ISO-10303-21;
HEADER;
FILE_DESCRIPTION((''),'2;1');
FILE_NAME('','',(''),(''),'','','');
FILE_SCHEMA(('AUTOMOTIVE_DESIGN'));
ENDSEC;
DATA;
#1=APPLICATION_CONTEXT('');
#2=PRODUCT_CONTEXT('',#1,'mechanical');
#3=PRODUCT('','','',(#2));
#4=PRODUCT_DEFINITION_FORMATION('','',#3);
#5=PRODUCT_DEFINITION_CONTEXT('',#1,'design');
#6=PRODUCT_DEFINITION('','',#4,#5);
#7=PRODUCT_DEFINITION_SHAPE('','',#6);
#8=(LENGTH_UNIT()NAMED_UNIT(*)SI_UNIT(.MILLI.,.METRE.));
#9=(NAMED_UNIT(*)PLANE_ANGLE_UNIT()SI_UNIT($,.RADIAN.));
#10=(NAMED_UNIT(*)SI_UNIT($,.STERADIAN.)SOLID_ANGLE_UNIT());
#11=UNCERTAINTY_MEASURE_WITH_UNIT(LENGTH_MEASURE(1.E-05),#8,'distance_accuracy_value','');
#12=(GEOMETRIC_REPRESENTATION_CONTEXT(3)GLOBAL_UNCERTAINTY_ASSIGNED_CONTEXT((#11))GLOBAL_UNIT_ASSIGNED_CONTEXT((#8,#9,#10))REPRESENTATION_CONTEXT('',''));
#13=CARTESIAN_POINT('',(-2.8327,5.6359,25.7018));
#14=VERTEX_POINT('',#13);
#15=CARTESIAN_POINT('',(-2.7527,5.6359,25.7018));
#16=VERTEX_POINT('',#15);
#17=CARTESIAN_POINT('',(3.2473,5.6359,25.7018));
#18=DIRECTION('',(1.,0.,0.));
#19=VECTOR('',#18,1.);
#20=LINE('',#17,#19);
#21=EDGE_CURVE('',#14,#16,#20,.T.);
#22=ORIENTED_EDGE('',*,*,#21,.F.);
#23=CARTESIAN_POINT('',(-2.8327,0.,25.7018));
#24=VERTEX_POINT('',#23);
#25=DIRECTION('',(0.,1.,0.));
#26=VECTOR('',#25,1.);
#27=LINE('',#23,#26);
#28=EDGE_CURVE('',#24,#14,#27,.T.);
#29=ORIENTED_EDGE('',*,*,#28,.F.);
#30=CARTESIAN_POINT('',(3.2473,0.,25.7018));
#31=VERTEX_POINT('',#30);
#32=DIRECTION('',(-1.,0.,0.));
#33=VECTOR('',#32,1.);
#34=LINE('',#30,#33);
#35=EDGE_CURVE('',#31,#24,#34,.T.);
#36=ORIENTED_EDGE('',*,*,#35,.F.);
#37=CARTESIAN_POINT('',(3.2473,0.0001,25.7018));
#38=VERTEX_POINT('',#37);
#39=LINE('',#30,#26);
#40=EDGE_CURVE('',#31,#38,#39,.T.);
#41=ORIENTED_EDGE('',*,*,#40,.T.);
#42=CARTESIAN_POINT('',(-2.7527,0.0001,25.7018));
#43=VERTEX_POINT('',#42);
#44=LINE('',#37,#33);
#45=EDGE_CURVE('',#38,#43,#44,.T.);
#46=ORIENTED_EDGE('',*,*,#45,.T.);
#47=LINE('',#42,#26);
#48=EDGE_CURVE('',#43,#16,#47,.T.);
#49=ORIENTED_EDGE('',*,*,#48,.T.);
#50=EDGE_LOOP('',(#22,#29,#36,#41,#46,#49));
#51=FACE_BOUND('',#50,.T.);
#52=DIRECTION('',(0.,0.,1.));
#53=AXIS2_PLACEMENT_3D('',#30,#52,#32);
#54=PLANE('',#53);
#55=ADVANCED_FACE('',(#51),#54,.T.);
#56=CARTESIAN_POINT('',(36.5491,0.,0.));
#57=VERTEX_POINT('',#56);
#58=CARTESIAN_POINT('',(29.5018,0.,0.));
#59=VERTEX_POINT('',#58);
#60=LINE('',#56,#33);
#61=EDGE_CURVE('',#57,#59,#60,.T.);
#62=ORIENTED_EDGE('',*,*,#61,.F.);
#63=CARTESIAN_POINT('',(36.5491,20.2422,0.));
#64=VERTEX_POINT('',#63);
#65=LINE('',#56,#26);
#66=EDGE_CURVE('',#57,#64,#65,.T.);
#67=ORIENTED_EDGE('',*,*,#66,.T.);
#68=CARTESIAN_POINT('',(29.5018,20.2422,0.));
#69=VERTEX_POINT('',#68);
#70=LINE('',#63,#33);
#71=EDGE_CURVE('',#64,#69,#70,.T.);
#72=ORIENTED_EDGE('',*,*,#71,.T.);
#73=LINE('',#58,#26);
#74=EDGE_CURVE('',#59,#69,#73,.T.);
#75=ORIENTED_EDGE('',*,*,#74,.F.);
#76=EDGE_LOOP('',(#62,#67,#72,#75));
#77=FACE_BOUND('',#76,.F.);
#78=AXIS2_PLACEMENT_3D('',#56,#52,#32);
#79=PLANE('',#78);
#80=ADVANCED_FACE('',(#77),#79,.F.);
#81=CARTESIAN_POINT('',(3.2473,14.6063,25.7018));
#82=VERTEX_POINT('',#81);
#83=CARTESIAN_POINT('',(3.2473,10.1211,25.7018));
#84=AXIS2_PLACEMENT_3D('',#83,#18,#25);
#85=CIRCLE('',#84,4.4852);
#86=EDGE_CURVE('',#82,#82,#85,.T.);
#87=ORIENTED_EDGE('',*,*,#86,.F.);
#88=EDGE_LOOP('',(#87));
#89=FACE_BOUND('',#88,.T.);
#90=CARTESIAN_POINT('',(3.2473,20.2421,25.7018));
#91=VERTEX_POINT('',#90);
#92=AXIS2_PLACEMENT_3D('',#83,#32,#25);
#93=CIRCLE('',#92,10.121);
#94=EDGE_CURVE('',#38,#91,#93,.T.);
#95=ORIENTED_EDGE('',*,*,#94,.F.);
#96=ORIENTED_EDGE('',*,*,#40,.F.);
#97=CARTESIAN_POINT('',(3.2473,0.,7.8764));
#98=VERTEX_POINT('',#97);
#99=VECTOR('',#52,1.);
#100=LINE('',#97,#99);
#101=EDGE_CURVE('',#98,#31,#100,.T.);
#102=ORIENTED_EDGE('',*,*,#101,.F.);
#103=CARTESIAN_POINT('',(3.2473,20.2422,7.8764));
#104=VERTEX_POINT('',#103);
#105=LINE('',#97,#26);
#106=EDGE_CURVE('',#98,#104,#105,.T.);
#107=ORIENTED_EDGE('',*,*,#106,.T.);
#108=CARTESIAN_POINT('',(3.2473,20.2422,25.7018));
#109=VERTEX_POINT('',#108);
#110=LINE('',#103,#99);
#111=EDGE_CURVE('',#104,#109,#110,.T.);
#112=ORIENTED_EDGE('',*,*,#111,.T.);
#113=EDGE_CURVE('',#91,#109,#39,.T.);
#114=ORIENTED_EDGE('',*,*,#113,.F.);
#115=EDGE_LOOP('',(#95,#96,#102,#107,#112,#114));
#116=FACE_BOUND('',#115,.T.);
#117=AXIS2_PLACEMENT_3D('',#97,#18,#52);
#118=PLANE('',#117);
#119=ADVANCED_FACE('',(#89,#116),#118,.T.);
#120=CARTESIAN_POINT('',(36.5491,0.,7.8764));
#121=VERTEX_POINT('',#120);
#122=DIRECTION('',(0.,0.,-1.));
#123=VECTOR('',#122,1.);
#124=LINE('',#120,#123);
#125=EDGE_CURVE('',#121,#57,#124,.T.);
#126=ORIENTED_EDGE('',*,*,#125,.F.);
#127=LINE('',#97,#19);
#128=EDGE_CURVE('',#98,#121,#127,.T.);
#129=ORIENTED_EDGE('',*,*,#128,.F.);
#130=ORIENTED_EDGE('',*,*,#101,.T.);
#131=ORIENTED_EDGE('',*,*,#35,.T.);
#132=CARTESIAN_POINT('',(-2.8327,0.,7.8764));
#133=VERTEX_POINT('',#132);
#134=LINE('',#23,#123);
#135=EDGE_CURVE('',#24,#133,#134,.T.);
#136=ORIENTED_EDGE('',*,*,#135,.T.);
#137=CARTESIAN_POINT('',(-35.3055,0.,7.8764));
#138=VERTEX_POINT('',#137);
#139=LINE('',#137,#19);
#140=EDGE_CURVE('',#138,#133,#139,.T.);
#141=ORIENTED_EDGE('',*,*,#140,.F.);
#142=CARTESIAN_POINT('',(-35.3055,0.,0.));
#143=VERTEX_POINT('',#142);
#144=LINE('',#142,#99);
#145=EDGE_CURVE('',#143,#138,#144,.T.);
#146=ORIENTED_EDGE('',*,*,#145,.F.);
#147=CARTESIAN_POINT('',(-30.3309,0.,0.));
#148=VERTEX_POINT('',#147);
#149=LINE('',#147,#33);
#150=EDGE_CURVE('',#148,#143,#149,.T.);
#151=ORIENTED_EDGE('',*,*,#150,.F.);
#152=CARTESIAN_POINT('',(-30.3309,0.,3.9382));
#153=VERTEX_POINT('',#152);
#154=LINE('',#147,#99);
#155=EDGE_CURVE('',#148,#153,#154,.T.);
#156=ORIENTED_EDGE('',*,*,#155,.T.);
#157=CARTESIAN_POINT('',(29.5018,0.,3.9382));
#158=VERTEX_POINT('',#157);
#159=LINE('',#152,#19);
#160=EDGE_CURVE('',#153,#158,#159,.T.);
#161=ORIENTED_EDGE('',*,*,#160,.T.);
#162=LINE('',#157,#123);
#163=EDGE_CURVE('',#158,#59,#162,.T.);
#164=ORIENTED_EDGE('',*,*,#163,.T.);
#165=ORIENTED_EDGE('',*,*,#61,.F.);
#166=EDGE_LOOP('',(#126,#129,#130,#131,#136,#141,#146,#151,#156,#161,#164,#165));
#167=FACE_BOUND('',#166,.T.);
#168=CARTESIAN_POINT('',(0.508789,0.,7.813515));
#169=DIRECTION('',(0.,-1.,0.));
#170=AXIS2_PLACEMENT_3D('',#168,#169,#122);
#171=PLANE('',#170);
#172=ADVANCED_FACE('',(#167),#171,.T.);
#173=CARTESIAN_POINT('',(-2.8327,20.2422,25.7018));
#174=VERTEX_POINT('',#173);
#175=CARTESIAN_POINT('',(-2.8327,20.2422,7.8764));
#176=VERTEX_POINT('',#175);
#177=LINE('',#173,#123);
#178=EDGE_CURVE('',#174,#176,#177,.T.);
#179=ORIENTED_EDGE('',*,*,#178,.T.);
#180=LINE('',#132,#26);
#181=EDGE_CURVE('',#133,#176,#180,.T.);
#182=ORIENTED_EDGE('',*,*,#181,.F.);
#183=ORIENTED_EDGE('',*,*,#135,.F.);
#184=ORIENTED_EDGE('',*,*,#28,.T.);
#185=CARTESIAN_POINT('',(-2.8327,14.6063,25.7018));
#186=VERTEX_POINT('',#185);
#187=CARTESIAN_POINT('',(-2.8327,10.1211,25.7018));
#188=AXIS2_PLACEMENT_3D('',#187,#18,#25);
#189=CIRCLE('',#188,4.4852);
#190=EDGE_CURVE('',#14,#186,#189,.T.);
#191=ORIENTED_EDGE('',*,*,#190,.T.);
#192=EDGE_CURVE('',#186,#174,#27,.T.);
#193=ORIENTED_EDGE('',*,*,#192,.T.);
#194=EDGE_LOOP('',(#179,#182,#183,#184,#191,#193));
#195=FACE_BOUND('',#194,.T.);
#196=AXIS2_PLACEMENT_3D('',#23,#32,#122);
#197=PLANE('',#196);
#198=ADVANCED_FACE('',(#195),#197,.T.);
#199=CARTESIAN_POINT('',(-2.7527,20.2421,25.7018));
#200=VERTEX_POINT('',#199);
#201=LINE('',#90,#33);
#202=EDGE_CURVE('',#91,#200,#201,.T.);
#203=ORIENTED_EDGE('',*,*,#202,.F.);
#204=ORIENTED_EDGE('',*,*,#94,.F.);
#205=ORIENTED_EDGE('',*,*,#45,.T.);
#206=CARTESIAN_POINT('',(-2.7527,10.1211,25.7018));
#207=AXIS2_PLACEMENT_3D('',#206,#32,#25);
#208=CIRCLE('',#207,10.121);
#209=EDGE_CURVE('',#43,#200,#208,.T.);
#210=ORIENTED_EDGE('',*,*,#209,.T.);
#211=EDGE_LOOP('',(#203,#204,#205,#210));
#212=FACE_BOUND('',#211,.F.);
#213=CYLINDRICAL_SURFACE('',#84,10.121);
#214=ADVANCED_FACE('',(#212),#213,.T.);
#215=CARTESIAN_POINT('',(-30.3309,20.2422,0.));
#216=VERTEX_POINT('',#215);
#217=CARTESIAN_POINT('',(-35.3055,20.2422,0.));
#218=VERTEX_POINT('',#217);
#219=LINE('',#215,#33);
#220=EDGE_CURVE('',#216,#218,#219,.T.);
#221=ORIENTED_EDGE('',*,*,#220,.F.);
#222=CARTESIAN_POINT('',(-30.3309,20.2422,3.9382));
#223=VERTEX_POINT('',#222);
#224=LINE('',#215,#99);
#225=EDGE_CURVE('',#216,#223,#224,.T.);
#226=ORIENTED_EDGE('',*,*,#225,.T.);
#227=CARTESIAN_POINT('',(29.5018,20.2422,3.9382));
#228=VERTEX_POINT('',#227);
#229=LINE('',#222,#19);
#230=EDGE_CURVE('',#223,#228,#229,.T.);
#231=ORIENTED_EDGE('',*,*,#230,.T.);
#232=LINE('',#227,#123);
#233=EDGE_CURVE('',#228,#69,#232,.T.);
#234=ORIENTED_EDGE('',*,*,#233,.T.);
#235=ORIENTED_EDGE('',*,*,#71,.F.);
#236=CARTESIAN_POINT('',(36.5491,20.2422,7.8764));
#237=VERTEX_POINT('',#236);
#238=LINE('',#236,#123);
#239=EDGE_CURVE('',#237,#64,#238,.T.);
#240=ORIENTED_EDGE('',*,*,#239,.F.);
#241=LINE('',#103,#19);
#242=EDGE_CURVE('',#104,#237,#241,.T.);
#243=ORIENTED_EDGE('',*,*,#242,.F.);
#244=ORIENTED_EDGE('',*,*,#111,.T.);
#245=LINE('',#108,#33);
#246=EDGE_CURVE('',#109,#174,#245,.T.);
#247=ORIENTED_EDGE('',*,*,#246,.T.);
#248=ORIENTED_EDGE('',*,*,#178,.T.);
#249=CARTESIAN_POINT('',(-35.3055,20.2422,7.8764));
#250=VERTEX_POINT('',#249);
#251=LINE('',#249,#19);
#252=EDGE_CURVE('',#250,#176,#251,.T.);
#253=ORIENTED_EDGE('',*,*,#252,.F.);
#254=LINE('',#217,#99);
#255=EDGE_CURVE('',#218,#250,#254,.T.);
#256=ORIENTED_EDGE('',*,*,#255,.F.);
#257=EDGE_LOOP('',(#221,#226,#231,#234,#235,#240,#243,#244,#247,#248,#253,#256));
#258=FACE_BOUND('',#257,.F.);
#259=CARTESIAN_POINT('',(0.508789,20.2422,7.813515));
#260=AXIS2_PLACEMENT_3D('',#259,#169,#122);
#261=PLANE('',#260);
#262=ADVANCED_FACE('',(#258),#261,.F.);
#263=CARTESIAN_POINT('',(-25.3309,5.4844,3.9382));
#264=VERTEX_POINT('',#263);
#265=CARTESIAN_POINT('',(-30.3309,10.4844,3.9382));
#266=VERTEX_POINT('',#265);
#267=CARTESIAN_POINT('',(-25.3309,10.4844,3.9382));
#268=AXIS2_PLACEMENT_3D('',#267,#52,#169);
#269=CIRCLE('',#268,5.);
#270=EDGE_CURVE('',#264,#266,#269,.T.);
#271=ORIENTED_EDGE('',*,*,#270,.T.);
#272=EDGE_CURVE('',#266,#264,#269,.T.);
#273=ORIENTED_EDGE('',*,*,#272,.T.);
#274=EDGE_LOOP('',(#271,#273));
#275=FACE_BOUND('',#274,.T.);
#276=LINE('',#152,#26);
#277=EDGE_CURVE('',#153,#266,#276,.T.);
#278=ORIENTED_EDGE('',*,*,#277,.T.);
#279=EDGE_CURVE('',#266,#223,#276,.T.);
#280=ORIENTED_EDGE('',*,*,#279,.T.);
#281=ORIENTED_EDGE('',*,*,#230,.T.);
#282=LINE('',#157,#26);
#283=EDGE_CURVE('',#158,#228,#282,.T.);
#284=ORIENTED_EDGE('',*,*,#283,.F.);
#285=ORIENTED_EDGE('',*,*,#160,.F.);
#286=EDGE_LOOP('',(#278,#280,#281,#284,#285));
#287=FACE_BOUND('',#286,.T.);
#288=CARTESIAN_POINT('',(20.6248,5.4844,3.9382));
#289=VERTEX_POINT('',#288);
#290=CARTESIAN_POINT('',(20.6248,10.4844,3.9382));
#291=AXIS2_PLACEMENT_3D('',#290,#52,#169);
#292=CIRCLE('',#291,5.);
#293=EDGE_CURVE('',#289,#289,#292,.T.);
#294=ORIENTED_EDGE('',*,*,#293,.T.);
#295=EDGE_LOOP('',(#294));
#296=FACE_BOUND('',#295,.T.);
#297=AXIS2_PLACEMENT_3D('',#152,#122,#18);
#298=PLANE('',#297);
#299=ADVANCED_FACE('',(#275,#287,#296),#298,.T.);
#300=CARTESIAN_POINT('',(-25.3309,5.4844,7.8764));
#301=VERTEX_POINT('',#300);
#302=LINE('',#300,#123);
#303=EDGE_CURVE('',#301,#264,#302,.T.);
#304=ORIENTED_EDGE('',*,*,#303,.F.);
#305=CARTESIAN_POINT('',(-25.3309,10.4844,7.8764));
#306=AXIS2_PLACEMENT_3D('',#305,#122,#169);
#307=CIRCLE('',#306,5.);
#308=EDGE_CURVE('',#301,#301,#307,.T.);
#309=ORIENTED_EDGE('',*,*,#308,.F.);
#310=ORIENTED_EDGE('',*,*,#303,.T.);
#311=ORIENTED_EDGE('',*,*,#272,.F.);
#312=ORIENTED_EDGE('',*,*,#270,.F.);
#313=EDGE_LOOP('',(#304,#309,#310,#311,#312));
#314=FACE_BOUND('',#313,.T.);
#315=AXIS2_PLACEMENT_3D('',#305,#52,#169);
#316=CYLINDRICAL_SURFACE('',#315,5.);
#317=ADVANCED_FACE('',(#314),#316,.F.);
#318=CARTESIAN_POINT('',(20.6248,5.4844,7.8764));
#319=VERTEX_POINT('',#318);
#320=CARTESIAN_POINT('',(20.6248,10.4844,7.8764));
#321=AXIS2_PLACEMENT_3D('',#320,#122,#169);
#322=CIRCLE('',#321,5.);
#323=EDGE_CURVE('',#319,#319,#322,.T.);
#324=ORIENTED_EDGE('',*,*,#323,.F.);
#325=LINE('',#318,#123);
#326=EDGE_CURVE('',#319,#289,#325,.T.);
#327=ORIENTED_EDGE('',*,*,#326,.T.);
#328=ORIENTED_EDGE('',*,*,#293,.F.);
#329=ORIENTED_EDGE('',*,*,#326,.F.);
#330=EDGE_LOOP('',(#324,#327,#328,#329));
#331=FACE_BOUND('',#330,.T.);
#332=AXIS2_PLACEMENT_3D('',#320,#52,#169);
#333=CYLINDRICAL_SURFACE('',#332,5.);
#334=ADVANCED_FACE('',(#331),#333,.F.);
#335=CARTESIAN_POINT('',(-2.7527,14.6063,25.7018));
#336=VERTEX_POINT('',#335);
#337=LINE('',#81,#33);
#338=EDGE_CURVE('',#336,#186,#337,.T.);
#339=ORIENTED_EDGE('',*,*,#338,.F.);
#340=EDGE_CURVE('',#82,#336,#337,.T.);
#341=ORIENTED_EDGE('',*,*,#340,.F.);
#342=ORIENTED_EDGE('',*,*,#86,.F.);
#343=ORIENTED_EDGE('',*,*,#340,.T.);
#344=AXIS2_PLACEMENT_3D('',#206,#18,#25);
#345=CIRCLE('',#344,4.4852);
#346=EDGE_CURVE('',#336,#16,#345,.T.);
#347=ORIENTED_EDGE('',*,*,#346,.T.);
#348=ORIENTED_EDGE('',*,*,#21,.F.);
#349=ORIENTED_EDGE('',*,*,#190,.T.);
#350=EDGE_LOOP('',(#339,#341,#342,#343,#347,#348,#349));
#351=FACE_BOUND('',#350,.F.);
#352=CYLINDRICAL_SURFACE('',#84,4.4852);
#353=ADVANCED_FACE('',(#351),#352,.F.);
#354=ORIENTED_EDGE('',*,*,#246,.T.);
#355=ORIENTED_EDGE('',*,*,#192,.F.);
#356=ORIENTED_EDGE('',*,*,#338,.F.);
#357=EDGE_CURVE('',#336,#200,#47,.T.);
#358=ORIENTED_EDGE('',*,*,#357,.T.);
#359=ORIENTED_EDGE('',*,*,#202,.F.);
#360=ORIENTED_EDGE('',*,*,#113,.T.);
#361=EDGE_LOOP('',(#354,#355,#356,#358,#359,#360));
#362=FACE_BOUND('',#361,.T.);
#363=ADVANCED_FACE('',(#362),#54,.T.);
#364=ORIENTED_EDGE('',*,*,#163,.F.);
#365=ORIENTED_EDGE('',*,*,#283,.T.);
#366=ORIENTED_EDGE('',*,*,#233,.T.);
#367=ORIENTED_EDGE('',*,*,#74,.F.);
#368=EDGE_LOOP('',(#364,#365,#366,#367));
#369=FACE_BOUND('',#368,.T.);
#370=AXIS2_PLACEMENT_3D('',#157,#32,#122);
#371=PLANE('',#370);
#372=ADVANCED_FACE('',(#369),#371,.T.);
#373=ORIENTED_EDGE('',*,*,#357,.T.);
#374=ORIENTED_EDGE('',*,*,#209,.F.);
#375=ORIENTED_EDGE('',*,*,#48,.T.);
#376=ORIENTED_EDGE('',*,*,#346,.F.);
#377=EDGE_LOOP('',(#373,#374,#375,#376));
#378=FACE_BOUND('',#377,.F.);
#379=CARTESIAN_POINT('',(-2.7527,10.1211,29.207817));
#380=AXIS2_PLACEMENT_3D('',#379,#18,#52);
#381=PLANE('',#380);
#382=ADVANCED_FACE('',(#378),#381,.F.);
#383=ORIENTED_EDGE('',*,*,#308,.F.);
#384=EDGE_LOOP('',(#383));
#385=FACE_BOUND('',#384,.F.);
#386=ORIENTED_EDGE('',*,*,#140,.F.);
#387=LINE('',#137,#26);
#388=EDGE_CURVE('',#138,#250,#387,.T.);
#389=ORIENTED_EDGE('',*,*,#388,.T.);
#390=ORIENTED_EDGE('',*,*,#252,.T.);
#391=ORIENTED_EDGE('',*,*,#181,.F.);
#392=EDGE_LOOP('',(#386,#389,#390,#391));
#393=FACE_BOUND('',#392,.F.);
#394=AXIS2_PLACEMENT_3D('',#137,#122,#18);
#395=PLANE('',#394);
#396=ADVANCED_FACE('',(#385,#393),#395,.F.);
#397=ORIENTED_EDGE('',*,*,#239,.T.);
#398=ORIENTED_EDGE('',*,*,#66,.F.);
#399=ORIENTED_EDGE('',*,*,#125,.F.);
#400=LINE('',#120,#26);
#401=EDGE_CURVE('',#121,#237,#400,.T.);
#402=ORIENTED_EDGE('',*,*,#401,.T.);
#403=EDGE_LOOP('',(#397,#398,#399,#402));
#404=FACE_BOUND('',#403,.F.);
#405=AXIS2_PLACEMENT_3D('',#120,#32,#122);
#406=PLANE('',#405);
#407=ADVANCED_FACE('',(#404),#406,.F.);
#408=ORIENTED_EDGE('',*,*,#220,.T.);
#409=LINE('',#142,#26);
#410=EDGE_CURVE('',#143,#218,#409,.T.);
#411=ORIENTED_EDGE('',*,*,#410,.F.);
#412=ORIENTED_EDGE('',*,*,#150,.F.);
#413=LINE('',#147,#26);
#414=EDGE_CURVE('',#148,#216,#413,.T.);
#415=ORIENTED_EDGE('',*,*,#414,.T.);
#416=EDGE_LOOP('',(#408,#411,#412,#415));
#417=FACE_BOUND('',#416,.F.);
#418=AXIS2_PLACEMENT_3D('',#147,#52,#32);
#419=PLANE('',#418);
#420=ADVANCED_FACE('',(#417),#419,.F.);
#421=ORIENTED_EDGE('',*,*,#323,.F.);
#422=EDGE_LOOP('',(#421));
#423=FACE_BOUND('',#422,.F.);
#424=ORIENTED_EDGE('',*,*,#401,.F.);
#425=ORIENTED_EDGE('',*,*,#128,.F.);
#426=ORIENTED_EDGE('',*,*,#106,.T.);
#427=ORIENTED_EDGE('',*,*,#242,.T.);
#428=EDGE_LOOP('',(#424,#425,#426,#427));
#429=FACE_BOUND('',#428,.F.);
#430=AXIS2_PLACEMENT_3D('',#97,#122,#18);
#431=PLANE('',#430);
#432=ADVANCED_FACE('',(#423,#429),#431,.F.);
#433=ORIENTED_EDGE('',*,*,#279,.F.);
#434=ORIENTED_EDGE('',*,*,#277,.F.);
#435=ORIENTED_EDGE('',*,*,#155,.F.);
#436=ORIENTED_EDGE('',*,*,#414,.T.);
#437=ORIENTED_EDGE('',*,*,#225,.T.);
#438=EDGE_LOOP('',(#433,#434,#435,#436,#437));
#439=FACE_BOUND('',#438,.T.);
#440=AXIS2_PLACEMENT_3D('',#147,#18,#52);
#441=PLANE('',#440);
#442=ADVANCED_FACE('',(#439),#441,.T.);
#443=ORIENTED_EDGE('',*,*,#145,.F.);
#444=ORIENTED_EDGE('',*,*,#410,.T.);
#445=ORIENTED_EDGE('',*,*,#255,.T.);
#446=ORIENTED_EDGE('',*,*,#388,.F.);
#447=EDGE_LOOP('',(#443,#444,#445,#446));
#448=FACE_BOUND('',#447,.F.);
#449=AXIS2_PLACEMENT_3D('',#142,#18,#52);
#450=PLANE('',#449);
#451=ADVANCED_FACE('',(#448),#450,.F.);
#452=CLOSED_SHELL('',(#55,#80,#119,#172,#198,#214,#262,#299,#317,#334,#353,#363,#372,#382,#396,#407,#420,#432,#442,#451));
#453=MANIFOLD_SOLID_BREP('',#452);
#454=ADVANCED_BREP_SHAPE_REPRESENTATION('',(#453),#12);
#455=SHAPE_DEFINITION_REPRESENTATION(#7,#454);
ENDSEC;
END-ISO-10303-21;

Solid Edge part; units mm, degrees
sketch "Sketch1" plane through (0, 0, 0) normal (0, -1, 0) x (1, 0, 0)
  line L0 (-2.8327, 25.7018) -> (-2.8327, 7.8764)
  line L1 (-35.3055, 7.8764) -> (-2.8327, 7.8764)
  line L2 (-35.3055, 0) -> (-35.3055, 7.8764)
  line L3 (-30.3309, 0) -> (-35.3055, 0)
  line L4 (-30.3309, 0) -> (-30.3309, 3.9382)
  line L5 (-30.3309, 3.9382) -> (29.5018, 3.9382)
  line L6 (29.5018, 3.9382) -> (29.5018, 0)
  line L7 (36.5491, 0) -> (29.5018, 0)
  line L8 (36.5491, 7.8764) -> (36.5491, 0)
  line L9 (3.2473, 7.8764) -> (36.5491, 7.8764)
  line L10 (3.2473, 7.8764) -> (3.2473, 25.7018)
  line L11 (3.2473, 25.7018) -> (-2.8327, 25.7018)
extrude "Protrusion1" add sketch "Sketch1" against normal blind 20.2422
sketch "Sketch2" plane through (3.2473, 10.1211, 16.7891) normal (1, 0, 0) x (0, 1, 0)
  line L0 (-10.1211, 8.9127) -> (10.1211, 8.9127)
  arc A0 (-10.1211, 8.9127) -> (10.1211, 8.9127) centre (0, 8.9127) cw
extrude "ExtrudedProtrusion_2" add sketch "Sketch2" against normal blind 6
sketch "Sketch3" plane through (3.2473, 10.1211, 21.8496) normal (1, 0, 0) x (0, 1, 0)
  circle A0 centre (0, 3.8522) radius 4.4852
extrude "ExtrudedCutout_1" cut sketch "Sketch3" against normal blind 19.6871
hole "Hole_1" at (20.6248, 10.4844, 7.8764) direction (0, 0, -1) diameter 10 end up to next
hole "Hole1" at (-25.3309, 10.4844, 7.8764) direction (0, 0, -1) diameter 10 end up to next
